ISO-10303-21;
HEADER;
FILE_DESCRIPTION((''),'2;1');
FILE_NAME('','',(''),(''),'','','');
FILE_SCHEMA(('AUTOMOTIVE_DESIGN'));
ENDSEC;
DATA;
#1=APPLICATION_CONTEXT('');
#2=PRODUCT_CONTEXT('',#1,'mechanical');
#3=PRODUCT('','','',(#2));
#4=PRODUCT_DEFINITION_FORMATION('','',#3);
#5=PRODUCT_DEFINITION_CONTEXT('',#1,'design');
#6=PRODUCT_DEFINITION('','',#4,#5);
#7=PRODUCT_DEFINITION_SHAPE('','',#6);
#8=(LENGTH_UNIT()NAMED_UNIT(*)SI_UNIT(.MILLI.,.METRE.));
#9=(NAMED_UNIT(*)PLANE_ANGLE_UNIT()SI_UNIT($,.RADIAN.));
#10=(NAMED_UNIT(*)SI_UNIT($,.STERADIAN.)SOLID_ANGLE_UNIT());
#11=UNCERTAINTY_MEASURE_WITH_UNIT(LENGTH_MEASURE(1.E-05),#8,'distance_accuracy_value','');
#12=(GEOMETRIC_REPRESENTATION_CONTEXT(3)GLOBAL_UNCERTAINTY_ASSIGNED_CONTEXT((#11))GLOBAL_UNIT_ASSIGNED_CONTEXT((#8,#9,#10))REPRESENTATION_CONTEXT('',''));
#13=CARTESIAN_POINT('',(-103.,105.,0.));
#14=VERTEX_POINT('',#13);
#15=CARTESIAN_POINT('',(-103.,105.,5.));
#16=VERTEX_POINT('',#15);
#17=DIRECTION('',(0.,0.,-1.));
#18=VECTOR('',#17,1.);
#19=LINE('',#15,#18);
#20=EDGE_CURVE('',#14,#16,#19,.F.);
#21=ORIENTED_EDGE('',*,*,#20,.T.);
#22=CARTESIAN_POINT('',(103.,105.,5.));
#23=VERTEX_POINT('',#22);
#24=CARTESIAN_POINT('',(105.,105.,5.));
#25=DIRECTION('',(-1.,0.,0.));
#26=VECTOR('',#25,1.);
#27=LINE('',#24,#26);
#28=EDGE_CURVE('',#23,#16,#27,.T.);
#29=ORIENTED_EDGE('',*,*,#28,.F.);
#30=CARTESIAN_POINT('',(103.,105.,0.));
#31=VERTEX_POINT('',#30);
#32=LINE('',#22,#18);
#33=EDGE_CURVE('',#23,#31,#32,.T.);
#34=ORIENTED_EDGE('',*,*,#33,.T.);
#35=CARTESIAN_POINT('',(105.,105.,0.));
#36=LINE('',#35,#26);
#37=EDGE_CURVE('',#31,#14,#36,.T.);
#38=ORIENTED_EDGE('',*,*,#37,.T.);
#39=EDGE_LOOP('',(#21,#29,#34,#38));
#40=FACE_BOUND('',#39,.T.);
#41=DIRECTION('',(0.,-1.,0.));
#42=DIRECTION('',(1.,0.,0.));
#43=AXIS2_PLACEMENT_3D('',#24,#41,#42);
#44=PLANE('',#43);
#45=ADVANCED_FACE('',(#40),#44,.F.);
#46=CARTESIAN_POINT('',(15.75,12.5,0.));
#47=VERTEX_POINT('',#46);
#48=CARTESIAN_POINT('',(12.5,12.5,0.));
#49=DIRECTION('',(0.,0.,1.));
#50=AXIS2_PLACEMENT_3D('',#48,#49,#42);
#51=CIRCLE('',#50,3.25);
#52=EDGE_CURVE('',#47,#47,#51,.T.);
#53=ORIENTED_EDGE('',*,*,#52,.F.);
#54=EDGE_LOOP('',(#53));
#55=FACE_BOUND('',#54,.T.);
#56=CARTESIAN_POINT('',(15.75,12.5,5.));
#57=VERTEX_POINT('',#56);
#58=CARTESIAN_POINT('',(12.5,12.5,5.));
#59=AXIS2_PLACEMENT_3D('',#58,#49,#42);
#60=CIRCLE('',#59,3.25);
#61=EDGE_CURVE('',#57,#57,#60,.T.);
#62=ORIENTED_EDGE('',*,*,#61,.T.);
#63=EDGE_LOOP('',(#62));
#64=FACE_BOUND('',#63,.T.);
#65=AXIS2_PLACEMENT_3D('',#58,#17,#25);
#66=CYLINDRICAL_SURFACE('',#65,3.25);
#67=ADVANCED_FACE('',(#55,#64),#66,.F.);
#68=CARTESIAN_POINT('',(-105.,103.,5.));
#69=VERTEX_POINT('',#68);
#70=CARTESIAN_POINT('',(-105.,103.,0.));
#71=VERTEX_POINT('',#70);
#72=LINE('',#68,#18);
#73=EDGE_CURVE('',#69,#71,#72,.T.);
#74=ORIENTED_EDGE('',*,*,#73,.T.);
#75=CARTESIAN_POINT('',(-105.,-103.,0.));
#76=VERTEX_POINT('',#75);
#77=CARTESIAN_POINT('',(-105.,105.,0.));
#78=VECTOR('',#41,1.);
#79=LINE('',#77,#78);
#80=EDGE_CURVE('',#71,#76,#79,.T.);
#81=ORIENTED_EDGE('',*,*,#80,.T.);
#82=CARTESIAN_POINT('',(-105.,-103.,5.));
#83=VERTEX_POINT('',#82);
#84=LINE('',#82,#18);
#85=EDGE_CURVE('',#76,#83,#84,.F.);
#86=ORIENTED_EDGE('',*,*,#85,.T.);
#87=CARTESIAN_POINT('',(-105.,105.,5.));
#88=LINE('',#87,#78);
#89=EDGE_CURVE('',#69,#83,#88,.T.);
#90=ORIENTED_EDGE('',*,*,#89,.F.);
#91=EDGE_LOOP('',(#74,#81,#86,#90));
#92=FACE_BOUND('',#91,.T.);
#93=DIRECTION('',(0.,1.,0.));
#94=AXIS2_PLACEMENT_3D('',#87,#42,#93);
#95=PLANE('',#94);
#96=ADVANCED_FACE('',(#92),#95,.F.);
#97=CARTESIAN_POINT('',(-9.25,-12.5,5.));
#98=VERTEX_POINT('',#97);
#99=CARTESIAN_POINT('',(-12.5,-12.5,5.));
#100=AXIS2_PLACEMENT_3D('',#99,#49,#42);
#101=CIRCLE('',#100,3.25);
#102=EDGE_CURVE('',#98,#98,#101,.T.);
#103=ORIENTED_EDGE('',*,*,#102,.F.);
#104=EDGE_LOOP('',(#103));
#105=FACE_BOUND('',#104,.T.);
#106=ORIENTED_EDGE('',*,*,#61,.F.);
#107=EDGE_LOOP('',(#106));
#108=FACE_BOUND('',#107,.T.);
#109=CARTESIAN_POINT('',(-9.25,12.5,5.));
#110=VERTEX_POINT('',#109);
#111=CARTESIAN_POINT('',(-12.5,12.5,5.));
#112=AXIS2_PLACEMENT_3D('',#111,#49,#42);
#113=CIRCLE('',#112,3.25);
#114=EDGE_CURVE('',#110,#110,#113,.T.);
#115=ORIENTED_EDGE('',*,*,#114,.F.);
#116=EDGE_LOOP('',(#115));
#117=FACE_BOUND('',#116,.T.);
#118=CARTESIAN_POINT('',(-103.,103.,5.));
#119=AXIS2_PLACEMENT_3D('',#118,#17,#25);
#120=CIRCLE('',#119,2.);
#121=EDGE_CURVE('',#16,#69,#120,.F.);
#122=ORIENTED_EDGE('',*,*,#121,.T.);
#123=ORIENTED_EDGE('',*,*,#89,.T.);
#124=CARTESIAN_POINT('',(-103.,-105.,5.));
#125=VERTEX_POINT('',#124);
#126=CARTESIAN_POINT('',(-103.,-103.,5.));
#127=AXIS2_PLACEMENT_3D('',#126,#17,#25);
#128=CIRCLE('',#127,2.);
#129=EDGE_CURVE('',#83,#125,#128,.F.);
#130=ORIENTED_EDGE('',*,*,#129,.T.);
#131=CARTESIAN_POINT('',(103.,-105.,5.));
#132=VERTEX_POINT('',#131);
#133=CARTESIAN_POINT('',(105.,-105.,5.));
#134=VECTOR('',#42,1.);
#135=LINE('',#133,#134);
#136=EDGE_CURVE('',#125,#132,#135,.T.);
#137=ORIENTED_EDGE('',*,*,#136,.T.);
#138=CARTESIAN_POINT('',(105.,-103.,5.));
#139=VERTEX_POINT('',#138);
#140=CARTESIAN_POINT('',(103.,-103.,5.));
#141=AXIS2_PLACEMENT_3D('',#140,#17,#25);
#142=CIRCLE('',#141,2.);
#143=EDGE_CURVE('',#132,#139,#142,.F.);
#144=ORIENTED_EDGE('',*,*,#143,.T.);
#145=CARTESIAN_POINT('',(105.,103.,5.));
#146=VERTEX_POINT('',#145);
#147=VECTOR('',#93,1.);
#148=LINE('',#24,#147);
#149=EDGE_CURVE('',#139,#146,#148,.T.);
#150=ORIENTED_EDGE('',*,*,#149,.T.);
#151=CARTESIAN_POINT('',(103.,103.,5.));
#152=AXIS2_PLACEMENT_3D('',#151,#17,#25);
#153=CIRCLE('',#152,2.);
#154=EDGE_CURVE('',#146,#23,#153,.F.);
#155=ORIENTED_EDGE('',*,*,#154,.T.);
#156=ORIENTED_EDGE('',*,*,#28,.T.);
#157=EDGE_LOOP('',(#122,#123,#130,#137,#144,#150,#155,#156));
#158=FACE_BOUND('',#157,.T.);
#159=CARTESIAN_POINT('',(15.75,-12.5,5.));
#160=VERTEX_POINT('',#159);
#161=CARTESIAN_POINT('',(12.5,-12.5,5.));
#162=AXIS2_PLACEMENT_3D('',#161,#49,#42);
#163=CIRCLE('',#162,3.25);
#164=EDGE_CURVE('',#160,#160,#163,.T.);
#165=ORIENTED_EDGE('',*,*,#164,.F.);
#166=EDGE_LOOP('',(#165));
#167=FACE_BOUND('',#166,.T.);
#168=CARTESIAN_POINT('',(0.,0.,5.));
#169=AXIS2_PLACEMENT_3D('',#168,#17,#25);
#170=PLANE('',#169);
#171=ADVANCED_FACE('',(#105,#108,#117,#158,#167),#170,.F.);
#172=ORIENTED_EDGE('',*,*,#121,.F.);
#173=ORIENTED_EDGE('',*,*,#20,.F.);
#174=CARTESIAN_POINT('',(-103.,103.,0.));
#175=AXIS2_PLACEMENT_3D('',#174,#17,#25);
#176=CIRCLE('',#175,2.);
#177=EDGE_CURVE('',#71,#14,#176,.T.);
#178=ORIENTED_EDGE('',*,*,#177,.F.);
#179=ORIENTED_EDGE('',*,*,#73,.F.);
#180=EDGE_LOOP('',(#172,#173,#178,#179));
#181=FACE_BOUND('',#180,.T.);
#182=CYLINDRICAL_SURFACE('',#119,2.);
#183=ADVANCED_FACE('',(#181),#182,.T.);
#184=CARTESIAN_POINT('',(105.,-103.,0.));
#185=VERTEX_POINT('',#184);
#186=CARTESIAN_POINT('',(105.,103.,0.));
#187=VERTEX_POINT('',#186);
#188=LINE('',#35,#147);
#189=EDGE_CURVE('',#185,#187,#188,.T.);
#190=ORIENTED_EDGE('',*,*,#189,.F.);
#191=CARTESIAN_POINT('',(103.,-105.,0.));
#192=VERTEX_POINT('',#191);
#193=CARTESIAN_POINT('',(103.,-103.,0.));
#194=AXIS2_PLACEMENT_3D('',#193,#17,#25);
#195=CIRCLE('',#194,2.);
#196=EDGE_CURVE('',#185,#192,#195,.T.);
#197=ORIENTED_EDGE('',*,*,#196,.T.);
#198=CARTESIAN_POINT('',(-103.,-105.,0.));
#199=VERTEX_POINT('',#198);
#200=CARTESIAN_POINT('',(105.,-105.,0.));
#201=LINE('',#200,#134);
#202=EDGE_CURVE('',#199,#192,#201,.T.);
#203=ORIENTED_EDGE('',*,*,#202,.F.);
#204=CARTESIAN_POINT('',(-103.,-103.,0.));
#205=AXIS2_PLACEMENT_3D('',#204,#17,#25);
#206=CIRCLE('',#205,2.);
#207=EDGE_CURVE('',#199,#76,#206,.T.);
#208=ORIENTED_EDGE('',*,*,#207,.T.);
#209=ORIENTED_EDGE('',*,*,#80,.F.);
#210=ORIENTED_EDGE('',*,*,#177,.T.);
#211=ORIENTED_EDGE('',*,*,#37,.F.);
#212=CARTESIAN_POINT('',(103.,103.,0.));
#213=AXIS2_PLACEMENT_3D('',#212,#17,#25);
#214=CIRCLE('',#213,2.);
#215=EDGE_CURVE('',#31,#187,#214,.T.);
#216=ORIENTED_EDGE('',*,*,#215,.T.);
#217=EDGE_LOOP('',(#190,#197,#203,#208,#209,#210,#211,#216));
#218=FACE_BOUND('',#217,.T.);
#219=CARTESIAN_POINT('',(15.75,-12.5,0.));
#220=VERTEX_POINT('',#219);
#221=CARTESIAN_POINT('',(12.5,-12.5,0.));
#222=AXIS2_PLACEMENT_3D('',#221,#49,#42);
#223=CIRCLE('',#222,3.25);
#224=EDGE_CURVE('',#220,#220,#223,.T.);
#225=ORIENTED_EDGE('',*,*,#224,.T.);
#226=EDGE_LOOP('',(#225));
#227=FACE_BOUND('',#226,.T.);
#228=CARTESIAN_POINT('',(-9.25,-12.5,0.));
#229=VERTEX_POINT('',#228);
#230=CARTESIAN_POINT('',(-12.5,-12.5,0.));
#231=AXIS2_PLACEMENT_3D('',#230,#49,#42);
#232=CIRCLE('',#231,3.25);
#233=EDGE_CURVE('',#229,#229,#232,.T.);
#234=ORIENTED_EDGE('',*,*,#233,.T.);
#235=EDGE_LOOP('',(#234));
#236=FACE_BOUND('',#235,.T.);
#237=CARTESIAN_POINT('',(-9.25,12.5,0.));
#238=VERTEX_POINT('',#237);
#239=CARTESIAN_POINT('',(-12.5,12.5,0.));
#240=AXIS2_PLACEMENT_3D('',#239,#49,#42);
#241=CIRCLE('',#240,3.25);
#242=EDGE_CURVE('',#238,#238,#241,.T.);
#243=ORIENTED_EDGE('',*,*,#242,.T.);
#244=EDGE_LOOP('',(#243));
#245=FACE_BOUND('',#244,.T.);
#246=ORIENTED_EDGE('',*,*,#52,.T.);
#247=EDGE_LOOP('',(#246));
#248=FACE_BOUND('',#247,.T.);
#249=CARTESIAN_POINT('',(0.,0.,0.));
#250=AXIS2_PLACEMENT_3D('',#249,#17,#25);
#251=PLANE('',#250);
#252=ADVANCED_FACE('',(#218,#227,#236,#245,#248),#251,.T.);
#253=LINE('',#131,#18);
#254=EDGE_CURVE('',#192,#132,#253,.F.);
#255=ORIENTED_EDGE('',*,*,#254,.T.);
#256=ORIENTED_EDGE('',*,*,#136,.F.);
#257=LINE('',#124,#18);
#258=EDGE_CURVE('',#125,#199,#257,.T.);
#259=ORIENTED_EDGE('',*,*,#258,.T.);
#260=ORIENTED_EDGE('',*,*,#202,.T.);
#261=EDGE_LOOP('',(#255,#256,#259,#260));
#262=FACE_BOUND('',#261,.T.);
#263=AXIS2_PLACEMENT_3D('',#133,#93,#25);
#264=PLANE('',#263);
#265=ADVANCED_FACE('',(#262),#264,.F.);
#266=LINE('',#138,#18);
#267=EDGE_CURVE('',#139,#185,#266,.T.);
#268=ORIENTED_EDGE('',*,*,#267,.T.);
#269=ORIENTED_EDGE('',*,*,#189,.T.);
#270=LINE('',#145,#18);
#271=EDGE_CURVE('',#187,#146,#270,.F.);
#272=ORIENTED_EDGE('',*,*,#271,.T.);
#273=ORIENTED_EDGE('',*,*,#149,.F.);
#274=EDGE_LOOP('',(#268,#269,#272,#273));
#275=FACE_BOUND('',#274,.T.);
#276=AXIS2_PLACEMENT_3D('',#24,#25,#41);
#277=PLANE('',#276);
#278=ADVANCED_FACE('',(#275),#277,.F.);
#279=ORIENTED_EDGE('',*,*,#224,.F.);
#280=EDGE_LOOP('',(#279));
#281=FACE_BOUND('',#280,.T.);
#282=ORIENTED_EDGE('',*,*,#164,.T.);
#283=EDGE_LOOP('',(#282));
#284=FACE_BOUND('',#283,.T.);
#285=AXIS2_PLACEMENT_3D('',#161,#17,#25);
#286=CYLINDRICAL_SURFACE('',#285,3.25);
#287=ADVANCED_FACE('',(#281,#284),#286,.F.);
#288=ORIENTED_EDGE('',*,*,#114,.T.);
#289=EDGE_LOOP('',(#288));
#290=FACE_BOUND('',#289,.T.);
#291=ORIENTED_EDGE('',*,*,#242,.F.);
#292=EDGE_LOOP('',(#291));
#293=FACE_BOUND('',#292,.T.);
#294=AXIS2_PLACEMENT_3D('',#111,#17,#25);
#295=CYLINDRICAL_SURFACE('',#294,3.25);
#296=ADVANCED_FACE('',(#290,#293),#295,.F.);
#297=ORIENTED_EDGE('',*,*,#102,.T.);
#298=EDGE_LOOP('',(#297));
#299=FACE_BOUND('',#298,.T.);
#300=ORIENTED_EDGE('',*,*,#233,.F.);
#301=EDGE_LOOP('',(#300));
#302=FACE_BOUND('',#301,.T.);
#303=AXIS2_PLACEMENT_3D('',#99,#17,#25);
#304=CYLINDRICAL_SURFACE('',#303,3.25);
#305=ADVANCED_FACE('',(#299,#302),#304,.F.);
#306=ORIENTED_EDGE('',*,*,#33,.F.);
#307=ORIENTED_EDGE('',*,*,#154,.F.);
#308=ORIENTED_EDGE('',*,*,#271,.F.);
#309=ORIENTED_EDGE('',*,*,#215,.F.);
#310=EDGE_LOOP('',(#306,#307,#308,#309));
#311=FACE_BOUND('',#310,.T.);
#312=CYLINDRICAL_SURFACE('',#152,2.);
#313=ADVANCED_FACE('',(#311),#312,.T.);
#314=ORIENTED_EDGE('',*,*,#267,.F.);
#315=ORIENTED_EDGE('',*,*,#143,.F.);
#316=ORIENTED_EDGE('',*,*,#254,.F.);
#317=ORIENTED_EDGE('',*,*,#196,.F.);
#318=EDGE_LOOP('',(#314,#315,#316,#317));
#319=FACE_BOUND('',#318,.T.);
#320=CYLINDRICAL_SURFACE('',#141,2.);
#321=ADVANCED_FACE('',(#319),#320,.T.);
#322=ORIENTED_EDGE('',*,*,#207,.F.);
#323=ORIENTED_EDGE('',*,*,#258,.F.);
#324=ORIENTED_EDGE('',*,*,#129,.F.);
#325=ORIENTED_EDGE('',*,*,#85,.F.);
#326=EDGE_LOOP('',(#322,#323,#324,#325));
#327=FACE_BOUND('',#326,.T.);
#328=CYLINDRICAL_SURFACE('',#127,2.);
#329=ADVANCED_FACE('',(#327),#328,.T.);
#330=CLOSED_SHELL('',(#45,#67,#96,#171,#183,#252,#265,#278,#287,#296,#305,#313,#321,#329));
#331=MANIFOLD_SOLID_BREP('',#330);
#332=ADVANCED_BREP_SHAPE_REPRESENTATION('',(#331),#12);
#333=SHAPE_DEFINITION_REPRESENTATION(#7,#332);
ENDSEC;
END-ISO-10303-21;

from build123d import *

# Parameters (mm, degrees)
CROQUIS1_W              = 210
CROQUIS1_H              = 210
CROQUIS1_R              = 3.25
SALIENTE_EXTRUIR1_DEPTH = 5
REDONDEO1_R             = 2


with BuildPart() as part:
    # Croquis1 → Saliente-Extruir1 (new body)
    with BuildSketch(Plane.XY):
        Rectangle(CROQUIS1_W, CROQUIS1_H)
        with Locations((-12.5, 12.5)):
            Circle(CROQUIS1_R, mode=Mode.SUBTRACT)
        with Locations((12.5, 12.5)):
            Circle(CROQUIS1_R, mode=Mode.SUBTRACT)
        with Locations((-12.5, -12.5)):
            Circle(CROQUIS1_R, mode=Mode.SUBTRACT)
        with Locations((12.5, -12.5)):
            Circle(CROQUIS1_R, mode=Mode.SUBTRACT)
    extrude(amount=SALIENTE_EXTRUIR1_DEPTH)

    # Redondeo1
    redondeo1_edges = [part.edges().sort_by_distance(p)[0] for p in [
        (-105, 105, 2.5),
        (105, 105, 2.5),
        (105, -105, 2.5),
        (-105, -105, 2.5),
    ]]
    fillet(redondeo1_edges, radius=REDONDEO1_R)


solid = part.part
